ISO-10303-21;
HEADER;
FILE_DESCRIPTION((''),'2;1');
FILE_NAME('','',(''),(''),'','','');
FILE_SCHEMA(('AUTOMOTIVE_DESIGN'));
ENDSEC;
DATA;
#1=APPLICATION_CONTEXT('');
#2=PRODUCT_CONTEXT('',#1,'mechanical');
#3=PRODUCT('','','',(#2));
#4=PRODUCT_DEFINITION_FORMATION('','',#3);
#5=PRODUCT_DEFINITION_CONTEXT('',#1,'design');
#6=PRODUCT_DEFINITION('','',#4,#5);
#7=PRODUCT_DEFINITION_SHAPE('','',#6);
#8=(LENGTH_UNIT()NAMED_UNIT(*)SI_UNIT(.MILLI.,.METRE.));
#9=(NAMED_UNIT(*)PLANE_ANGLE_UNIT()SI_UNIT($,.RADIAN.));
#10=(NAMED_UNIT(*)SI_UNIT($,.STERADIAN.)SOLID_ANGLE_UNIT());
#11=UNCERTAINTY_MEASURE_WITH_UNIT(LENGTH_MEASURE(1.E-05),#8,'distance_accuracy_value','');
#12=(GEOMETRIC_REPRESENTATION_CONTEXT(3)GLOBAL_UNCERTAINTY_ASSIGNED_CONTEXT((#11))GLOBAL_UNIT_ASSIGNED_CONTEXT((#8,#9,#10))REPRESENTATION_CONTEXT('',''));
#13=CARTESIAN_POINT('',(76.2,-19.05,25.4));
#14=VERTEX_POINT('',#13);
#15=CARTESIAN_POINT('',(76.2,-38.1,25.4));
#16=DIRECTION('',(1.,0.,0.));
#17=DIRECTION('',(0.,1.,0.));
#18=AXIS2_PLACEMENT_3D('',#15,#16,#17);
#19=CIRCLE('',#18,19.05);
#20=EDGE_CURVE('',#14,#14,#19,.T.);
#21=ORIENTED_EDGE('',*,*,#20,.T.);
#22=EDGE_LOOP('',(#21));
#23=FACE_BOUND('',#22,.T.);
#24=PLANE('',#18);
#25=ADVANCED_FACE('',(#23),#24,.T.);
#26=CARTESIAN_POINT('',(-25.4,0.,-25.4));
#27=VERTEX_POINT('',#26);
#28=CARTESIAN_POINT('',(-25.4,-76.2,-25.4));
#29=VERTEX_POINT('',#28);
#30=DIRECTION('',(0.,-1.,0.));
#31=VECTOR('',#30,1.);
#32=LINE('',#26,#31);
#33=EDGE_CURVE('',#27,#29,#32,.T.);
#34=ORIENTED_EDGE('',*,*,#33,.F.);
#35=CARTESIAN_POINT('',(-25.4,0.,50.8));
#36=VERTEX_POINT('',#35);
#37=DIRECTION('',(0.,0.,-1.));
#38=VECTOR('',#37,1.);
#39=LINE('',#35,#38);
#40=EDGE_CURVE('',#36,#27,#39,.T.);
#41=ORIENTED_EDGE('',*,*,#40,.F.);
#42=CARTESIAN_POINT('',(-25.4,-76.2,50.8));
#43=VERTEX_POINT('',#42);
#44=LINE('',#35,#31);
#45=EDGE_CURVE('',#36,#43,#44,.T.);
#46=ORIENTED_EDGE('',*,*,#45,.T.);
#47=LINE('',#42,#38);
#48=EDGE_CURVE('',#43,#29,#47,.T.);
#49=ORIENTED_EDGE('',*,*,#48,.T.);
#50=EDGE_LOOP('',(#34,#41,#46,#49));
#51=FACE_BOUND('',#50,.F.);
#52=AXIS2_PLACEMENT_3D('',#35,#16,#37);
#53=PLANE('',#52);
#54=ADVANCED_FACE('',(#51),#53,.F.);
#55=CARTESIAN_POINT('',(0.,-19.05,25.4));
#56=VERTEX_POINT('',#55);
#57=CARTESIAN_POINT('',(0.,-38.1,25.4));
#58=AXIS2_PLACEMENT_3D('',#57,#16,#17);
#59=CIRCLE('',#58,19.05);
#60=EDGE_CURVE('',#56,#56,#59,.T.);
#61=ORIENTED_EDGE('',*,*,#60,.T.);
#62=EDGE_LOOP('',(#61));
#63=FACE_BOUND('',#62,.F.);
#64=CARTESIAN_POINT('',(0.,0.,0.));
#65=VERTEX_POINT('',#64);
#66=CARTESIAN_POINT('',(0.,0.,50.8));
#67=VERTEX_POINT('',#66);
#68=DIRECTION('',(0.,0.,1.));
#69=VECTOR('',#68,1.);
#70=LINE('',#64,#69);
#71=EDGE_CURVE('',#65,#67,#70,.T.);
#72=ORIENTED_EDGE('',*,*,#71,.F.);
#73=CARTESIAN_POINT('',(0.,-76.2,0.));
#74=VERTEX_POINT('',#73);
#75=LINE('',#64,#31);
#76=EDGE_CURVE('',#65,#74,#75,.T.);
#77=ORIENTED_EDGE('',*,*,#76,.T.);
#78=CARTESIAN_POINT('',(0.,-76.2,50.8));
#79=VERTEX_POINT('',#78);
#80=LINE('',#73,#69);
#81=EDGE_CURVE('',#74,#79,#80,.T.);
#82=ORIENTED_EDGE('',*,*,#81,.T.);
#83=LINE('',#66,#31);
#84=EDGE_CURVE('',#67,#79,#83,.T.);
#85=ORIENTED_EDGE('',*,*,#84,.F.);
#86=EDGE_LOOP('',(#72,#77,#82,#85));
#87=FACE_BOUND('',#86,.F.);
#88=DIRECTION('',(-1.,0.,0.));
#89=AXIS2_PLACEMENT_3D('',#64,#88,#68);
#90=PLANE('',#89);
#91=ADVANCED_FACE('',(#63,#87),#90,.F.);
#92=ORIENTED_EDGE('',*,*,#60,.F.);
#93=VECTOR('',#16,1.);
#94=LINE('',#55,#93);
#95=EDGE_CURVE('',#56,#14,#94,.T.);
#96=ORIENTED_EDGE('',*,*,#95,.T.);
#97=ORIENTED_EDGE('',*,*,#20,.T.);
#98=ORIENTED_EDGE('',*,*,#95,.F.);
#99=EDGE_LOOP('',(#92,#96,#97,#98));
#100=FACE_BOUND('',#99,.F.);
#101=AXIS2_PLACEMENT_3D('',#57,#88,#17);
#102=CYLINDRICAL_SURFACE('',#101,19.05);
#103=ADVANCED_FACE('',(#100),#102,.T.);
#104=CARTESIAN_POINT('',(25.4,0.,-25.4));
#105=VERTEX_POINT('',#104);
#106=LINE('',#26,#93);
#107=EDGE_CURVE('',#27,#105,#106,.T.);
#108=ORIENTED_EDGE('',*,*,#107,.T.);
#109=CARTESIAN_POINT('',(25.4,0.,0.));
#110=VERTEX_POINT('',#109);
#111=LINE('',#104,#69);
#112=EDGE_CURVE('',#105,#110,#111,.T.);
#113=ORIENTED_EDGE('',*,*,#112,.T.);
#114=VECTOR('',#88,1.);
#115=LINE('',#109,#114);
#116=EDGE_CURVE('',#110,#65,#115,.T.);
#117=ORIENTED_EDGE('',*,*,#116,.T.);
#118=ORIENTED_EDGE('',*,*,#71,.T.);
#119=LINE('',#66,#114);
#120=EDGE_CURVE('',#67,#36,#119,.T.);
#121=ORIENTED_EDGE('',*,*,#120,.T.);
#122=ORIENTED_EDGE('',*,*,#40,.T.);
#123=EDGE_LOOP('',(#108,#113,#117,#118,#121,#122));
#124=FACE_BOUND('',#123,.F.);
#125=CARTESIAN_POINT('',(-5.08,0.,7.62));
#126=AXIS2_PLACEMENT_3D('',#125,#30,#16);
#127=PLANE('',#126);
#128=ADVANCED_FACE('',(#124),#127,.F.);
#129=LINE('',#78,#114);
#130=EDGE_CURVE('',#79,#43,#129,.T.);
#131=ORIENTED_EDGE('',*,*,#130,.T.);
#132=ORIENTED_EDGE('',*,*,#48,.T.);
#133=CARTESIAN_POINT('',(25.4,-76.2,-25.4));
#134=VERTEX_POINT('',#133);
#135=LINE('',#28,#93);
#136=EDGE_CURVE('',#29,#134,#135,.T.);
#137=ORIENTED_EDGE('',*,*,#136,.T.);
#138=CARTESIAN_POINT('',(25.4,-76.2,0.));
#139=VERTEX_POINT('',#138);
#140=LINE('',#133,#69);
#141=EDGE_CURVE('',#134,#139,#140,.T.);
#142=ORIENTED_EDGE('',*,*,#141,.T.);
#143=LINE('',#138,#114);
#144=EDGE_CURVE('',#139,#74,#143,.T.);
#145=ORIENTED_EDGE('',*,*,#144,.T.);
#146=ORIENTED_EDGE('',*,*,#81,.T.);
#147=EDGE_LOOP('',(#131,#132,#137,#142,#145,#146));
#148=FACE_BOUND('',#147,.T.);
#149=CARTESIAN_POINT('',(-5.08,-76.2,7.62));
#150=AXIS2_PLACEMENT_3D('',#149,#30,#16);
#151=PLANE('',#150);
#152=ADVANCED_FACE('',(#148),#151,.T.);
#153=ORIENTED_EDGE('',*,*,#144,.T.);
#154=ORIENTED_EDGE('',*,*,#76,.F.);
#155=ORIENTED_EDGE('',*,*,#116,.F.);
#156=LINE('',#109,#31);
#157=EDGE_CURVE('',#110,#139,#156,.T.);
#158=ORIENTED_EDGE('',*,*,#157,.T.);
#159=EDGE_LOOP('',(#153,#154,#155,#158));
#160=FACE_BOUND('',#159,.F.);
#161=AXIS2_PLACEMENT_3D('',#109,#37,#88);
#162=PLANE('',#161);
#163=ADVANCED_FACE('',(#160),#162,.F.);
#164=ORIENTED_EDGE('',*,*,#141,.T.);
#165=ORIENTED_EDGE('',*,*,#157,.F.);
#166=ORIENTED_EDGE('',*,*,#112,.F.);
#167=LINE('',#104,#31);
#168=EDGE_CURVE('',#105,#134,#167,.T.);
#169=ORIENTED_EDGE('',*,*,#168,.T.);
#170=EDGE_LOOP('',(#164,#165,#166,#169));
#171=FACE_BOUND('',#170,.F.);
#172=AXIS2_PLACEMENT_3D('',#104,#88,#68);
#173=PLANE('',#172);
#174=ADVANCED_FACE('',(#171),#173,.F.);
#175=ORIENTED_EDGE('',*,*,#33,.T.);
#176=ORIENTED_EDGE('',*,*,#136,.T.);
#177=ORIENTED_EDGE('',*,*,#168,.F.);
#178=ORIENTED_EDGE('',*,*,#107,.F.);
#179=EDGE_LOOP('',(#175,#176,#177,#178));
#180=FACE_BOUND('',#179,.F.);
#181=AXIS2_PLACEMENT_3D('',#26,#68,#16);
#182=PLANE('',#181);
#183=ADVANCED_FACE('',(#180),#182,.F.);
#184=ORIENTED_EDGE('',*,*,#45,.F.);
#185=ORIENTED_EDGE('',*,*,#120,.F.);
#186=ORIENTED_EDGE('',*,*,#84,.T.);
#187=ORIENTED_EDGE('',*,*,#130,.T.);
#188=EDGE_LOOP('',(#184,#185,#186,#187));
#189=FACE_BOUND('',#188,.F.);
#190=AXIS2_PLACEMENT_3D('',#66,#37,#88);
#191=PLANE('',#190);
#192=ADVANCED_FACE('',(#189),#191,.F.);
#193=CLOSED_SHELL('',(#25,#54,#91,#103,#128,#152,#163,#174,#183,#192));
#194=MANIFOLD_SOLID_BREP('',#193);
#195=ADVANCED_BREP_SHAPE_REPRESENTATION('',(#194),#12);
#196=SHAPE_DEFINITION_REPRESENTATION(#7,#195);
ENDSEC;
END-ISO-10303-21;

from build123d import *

# Parameters (mm, degrees)
F1_DEPTH = 76.2
F2_R     = 19.05
F3_DEPTH = 76.2


with BuildPart() as f1:
    # F0 (on Front) → F1 (new body)
    with BuildSketch(Plane.XZ):
        Polygon((25.4, 0), (0, 0), (0, 50.8), (-25.4, 50.8), (-25.4, -25.4), (25.4, -25.4), align=None)
    extrude(amount=F1_DEPTH)

    # F2 (on face) → F3 (join)
    with BuildSketch(Plane.YZ):
        with Locations((-38.1, 25.4)):
            Circle(F2_R)
    extrude(amount=F3_DEPTH)


solid = f1.part
